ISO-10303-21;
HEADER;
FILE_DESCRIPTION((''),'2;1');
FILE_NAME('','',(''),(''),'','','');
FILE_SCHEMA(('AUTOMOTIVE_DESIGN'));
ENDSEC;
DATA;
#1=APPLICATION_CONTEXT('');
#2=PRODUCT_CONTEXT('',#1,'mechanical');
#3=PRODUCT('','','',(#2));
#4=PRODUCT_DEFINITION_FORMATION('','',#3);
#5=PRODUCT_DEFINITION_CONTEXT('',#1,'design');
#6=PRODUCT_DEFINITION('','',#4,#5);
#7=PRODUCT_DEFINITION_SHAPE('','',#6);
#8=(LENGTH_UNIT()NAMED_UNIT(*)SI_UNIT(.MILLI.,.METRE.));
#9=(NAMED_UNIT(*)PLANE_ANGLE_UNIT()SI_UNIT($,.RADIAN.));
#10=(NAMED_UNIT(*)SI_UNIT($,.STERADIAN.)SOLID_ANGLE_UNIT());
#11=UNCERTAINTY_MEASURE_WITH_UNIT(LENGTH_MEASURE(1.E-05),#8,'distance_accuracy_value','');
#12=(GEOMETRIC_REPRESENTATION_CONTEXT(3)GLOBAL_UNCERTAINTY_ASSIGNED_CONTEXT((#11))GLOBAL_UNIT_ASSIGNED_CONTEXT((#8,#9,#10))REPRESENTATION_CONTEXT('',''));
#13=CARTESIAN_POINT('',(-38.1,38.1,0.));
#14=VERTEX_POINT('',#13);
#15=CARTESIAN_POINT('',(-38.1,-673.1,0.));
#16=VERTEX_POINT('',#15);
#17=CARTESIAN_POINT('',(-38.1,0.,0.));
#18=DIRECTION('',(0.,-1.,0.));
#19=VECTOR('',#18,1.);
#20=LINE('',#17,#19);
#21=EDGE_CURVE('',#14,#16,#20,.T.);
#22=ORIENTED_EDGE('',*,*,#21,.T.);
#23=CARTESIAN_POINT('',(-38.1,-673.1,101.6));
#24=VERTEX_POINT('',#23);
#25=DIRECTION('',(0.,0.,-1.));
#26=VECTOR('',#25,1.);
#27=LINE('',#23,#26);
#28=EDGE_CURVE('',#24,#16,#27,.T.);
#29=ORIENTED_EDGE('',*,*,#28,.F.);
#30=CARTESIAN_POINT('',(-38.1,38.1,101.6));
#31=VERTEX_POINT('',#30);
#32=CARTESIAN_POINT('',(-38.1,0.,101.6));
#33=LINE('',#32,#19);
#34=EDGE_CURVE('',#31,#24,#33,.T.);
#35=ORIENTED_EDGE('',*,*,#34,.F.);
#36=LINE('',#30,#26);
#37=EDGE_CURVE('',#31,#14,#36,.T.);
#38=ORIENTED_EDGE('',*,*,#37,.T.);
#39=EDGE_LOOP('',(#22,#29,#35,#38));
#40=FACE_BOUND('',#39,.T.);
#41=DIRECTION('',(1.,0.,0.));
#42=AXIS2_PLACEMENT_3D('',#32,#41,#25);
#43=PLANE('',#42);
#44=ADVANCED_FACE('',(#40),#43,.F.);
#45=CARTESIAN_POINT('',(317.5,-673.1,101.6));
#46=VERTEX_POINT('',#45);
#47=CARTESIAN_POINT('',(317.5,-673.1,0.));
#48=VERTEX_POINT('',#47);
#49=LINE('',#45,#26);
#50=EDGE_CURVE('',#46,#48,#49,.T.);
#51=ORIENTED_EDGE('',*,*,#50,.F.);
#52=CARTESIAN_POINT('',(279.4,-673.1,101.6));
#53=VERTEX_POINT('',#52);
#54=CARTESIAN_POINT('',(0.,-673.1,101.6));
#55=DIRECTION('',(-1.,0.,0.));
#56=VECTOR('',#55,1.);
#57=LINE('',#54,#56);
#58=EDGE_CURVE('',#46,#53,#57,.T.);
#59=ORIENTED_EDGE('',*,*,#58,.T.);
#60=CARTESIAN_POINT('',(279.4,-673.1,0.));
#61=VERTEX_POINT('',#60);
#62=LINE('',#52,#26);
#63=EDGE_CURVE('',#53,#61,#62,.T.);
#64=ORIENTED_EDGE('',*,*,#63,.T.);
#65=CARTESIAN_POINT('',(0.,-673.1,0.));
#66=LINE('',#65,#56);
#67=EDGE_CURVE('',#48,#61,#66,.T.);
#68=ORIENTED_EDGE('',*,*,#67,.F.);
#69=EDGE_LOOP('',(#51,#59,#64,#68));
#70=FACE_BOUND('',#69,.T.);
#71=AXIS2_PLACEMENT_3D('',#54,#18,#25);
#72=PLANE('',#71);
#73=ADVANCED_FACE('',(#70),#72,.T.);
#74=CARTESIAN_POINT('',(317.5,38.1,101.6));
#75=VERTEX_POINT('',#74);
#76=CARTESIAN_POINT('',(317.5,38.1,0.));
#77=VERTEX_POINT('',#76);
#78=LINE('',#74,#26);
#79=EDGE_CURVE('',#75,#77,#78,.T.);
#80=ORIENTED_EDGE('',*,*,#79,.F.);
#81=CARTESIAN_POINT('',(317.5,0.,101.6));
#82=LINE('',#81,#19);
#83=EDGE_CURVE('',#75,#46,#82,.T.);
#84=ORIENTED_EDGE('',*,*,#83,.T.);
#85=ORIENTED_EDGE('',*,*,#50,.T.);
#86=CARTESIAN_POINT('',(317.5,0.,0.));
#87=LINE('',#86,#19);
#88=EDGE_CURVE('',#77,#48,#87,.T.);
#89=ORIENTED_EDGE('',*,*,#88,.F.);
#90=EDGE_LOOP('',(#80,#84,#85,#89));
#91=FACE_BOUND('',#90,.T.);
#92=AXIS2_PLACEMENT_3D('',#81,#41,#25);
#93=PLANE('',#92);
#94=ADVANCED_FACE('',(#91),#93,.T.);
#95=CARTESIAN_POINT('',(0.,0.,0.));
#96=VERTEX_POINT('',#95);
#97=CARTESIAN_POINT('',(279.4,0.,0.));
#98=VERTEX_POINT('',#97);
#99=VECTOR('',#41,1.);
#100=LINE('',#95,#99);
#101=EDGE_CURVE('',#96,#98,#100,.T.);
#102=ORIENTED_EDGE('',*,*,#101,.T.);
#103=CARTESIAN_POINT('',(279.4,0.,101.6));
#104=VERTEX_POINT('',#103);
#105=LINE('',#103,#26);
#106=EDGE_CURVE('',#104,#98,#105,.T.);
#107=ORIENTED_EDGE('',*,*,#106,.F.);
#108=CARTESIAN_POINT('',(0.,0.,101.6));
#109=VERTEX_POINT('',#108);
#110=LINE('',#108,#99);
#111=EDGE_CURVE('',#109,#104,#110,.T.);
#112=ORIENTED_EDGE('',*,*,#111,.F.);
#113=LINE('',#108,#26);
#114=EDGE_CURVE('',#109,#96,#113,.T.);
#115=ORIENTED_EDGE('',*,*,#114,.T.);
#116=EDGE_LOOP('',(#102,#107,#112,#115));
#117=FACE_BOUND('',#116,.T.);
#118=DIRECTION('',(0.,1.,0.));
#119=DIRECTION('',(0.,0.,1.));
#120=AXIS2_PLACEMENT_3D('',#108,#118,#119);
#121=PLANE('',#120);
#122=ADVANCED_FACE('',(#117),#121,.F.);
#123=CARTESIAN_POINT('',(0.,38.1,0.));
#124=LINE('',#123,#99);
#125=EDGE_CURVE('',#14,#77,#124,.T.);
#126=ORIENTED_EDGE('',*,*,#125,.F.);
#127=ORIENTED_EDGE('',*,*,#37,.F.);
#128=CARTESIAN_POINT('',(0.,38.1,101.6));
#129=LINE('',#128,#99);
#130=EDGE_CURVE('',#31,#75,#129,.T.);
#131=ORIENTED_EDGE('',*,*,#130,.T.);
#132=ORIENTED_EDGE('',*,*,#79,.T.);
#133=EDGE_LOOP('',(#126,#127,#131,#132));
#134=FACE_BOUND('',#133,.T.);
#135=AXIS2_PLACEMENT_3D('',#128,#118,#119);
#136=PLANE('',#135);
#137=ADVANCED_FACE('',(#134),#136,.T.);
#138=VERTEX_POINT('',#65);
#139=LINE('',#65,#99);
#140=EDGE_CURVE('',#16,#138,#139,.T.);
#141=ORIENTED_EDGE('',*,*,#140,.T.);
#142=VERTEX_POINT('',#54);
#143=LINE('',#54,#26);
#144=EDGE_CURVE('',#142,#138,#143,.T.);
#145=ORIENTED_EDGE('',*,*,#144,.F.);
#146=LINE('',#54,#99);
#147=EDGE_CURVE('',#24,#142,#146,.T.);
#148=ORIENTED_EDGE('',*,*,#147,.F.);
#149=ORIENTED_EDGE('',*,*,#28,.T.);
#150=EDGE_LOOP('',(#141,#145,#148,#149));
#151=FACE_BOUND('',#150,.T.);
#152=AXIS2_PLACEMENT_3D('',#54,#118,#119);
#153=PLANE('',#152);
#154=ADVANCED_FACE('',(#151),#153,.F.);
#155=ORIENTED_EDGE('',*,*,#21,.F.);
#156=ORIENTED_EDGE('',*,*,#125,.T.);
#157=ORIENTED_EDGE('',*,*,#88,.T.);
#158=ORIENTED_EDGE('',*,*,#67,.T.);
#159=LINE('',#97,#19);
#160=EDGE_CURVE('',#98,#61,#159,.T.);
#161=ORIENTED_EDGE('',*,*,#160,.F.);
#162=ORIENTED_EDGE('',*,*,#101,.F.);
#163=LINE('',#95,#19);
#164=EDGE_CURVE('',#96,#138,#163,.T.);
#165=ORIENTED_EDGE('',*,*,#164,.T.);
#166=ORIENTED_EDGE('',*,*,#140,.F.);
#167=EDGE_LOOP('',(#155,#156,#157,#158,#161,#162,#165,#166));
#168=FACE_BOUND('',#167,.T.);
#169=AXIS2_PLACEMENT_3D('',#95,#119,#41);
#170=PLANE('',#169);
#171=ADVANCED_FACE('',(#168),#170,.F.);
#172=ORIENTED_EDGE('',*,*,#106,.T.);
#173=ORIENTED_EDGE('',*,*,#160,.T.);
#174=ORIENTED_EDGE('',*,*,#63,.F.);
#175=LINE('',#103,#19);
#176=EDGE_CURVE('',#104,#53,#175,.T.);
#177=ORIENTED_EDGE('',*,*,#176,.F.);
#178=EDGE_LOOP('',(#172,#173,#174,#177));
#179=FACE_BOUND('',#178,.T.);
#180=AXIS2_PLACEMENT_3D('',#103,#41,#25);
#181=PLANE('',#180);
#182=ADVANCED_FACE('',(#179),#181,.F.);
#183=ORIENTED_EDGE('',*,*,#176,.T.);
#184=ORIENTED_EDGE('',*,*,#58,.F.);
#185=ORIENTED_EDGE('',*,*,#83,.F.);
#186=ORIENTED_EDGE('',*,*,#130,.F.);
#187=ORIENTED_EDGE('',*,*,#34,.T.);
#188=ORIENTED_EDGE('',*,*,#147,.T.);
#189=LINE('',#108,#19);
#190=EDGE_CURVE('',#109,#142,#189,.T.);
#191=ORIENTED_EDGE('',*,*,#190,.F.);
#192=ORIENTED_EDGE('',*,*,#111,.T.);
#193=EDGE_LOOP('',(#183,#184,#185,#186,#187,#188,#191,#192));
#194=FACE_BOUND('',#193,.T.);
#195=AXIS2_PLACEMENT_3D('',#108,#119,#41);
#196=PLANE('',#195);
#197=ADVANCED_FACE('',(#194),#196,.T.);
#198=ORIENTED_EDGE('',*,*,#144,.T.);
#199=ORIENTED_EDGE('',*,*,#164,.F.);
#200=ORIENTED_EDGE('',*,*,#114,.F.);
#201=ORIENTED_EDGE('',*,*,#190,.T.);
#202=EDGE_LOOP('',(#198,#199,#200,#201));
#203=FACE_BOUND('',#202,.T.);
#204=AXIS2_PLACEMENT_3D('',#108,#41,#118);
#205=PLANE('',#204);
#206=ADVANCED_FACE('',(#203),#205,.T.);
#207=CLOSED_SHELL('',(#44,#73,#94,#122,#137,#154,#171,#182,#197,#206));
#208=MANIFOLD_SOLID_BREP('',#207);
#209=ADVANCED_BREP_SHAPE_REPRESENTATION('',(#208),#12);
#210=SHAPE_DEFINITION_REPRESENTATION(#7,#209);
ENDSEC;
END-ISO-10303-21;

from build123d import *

# Parameters (mm, degrees)
BOSS_EXTRUDE1_DEPTH = 101.6


with BuildPart() as part:
    # Sketch1 → Boss-Extrude1 (new body)
    with BuildSketch(Plane.XY):
        Polygon((317.5, -673.1), (279.4, -673.1), (279.4, 0), (0, 0), (0, -673.1), (-38.1, -673.1), (-38.1, 38.1), (317.5, 38.1), align=None)
    extrude(amount=BOSS_EXTRUDE1_DEPTH)


solid = part.part
